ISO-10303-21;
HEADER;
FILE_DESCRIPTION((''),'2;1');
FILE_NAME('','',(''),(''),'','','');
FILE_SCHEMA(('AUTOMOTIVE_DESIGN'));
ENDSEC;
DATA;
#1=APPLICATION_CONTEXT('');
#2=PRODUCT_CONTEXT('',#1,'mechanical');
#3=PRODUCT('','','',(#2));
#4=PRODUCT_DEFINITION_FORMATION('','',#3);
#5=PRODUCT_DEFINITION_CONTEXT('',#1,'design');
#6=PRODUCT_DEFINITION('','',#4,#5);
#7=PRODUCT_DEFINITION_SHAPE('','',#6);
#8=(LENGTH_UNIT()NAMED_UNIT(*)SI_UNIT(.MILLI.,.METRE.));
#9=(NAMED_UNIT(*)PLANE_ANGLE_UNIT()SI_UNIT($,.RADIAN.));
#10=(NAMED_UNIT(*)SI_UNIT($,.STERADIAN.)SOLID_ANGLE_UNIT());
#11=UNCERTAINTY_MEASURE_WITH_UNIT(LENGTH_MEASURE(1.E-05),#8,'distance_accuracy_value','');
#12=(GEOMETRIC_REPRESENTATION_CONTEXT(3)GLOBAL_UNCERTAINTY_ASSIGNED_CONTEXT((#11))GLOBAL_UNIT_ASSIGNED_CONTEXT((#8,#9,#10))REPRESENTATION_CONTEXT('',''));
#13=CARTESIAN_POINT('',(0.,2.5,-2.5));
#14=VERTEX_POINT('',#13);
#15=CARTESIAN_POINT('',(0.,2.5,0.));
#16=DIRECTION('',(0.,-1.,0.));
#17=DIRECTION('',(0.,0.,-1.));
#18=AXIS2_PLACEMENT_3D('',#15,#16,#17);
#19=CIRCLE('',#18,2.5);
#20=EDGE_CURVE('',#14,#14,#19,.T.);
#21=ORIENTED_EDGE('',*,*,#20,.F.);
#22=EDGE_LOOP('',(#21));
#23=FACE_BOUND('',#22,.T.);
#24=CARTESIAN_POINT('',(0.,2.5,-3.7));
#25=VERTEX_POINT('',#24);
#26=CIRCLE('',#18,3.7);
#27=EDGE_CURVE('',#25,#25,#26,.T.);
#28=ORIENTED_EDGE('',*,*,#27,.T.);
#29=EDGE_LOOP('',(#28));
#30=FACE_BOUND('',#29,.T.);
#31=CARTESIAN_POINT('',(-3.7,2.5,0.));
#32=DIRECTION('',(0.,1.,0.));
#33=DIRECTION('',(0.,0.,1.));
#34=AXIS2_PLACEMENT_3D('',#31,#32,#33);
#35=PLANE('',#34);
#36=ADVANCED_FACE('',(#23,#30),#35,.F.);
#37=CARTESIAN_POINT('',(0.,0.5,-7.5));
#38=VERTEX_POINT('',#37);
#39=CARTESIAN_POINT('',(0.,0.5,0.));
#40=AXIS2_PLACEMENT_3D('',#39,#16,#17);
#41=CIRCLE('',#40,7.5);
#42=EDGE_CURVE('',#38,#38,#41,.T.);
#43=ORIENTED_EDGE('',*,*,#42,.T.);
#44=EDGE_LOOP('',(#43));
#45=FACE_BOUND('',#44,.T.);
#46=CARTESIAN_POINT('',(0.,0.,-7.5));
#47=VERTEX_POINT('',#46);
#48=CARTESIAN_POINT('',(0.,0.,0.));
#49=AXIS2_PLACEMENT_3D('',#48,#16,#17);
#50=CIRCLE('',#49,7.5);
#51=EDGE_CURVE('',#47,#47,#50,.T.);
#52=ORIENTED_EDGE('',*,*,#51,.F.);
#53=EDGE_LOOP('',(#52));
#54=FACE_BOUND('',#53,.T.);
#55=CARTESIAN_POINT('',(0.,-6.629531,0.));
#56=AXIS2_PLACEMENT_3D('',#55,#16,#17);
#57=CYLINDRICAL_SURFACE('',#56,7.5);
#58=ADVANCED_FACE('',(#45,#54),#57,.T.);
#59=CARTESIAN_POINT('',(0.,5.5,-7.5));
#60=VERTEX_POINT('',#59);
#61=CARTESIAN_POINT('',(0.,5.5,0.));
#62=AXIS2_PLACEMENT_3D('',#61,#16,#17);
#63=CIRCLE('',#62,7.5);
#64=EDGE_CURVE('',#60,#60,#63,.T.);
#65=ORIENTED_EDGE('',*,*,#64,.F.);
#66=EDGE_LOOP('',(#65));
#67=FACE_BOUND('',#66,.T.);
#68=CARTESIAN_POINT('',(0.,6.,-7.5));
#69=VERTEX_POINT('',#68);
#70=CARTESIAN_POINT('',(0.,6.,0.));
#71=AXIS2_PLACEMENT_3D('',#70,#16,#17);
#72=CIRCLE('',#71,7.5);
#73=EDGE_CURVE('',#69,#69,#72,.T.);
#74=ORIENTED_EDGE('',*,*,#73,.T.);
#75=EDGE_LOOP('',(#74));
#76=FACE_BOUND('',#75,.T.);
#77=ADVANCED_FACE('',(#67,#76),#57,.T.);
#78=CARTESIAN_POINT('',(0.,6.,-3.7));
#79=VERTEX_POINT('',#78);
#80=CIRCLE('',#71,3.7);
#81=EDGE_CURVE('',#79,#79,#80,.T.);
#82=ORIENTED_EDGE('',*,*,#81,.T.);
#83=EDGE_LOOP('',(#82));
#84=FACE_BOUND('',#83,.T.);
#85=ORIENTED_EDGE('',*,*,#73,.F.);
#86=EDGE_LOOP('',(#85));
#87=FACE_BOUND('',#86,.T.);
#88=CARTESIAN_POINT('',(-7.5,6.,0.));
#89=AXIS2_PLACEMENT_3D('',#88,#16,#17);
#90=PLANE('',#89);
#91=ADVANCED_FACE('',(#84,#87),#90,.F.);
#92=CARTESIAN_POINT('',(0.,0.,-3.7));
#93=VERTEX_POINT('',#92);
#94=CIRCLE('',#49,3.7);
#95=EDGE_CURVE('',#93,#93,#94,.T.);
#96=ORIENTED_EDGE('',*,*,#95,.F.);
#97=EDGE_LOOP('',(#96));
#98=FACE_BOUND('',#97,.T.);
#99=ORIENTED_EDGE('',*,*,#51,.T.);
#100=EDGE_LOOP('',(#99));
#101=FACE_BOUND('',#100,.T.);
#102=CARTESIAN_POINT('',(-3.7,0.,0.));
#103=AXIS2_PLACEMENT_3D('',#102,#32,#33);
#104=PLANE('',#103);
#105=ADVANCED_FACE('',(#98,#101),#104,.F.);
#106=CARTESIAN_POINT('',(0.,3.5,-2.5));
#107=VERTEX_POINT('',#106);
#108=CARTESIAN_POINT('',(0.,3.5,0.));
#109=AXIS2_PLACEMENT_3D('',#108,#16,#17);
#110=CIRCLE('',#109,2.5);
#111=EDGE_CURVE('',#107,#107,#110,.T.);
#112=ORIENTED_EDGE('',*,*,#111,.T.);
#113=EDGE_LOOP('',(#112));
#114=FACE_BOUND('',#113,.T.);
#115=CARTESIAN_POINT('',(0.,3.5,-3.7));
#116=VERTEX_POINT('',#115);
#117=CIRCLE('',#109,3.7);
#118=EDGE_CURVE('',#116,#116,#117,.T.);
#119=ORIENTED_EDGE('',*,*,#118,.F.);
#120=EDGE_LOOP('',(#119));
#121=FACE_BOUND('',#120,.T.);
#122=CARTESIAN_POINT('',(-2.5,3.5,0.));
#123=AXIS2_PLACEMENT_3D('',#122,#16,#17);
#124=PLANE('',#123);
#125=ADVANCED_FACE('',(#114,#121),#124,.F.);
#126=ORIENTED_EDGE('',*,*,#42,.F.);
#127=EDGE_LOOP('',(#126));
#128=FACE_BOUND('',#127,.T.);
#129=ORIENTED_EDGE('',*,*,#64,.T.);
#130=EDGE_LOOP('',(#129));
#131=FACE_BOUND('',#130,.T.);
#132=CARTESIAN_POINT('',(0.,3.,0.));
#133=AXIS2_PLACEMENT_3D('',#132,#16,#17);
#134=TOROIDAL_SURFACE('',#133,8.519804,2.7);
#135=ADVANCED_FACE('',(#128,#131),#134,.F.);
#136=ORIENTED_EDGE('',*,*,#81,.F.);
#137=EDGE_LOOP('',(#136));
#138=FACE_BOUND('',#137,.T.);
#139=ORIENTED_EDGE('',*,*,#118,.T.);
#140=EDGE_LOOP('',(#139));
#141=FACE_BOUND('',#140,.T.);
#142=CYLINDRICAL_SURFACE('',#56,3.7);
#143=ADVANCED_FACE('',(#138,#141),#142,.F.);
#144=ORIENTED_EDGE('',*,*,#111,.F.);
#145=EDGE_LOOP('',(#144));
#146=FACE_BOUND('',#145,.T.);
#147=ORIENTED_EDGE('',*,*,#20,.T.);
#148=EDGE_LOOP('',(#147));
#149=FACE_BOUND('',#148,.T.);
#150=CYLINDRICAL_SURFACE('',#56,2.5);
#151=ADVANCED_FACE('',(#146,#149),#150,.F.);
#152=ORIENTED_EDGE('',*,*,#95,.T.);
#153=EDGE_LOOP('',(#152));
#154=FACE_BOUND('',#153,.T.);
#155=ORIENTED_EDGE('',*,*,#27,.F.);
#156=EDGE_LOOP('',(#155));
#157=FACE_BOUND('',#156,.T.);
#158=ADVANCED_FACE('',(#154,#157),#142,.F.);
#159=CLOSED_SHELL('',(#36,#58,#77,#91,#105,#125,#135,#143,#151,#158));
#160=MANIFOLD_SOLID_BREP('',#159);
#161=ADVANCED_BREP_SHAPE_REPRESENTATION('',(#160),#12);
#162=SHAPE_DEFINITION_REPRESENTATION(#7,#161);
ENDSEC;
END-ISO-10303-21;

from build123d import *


with BuildPart() as part:
    # Sketch1 → Revolve1 (revolve)
    with BuildSketch(Plane.XY, mode=Mode.PRIVATE) as revolve1_sk:
        with BuildLine():
            Line((-3.7, 0), (-7.5, 0))
            Line((-7.5, 0), (-7.5, 0.5))
            ThreePointArc((-7.5, 0.5), (-5.819803903, 3), (-7.5, 5.5))
            Line((-7.5, 5.5), (-7.5, 6))
            Line((-7.5, 6), (-3.7, 6))
            Line((-3.7, 6), (-3.7, 3.5))
            Line((-3.7, 3.5), (-2.5, 3.5))
            Line((-2.5, 3.5), (-2.5, 2.5))
            Line((-2.5, 2.5), (-3.7, 2.5))
            Line((-3.7, 2.5), (-3.7, 0))
        make_face()
    revolve(revolve1_sk.sketch.rotate(Axis((0, -6.629530881, 0), (0, 1, 0)), 270), axis=Axis((0, -6.629530881, 0), (0, 1, 0)))


solid = part.part
